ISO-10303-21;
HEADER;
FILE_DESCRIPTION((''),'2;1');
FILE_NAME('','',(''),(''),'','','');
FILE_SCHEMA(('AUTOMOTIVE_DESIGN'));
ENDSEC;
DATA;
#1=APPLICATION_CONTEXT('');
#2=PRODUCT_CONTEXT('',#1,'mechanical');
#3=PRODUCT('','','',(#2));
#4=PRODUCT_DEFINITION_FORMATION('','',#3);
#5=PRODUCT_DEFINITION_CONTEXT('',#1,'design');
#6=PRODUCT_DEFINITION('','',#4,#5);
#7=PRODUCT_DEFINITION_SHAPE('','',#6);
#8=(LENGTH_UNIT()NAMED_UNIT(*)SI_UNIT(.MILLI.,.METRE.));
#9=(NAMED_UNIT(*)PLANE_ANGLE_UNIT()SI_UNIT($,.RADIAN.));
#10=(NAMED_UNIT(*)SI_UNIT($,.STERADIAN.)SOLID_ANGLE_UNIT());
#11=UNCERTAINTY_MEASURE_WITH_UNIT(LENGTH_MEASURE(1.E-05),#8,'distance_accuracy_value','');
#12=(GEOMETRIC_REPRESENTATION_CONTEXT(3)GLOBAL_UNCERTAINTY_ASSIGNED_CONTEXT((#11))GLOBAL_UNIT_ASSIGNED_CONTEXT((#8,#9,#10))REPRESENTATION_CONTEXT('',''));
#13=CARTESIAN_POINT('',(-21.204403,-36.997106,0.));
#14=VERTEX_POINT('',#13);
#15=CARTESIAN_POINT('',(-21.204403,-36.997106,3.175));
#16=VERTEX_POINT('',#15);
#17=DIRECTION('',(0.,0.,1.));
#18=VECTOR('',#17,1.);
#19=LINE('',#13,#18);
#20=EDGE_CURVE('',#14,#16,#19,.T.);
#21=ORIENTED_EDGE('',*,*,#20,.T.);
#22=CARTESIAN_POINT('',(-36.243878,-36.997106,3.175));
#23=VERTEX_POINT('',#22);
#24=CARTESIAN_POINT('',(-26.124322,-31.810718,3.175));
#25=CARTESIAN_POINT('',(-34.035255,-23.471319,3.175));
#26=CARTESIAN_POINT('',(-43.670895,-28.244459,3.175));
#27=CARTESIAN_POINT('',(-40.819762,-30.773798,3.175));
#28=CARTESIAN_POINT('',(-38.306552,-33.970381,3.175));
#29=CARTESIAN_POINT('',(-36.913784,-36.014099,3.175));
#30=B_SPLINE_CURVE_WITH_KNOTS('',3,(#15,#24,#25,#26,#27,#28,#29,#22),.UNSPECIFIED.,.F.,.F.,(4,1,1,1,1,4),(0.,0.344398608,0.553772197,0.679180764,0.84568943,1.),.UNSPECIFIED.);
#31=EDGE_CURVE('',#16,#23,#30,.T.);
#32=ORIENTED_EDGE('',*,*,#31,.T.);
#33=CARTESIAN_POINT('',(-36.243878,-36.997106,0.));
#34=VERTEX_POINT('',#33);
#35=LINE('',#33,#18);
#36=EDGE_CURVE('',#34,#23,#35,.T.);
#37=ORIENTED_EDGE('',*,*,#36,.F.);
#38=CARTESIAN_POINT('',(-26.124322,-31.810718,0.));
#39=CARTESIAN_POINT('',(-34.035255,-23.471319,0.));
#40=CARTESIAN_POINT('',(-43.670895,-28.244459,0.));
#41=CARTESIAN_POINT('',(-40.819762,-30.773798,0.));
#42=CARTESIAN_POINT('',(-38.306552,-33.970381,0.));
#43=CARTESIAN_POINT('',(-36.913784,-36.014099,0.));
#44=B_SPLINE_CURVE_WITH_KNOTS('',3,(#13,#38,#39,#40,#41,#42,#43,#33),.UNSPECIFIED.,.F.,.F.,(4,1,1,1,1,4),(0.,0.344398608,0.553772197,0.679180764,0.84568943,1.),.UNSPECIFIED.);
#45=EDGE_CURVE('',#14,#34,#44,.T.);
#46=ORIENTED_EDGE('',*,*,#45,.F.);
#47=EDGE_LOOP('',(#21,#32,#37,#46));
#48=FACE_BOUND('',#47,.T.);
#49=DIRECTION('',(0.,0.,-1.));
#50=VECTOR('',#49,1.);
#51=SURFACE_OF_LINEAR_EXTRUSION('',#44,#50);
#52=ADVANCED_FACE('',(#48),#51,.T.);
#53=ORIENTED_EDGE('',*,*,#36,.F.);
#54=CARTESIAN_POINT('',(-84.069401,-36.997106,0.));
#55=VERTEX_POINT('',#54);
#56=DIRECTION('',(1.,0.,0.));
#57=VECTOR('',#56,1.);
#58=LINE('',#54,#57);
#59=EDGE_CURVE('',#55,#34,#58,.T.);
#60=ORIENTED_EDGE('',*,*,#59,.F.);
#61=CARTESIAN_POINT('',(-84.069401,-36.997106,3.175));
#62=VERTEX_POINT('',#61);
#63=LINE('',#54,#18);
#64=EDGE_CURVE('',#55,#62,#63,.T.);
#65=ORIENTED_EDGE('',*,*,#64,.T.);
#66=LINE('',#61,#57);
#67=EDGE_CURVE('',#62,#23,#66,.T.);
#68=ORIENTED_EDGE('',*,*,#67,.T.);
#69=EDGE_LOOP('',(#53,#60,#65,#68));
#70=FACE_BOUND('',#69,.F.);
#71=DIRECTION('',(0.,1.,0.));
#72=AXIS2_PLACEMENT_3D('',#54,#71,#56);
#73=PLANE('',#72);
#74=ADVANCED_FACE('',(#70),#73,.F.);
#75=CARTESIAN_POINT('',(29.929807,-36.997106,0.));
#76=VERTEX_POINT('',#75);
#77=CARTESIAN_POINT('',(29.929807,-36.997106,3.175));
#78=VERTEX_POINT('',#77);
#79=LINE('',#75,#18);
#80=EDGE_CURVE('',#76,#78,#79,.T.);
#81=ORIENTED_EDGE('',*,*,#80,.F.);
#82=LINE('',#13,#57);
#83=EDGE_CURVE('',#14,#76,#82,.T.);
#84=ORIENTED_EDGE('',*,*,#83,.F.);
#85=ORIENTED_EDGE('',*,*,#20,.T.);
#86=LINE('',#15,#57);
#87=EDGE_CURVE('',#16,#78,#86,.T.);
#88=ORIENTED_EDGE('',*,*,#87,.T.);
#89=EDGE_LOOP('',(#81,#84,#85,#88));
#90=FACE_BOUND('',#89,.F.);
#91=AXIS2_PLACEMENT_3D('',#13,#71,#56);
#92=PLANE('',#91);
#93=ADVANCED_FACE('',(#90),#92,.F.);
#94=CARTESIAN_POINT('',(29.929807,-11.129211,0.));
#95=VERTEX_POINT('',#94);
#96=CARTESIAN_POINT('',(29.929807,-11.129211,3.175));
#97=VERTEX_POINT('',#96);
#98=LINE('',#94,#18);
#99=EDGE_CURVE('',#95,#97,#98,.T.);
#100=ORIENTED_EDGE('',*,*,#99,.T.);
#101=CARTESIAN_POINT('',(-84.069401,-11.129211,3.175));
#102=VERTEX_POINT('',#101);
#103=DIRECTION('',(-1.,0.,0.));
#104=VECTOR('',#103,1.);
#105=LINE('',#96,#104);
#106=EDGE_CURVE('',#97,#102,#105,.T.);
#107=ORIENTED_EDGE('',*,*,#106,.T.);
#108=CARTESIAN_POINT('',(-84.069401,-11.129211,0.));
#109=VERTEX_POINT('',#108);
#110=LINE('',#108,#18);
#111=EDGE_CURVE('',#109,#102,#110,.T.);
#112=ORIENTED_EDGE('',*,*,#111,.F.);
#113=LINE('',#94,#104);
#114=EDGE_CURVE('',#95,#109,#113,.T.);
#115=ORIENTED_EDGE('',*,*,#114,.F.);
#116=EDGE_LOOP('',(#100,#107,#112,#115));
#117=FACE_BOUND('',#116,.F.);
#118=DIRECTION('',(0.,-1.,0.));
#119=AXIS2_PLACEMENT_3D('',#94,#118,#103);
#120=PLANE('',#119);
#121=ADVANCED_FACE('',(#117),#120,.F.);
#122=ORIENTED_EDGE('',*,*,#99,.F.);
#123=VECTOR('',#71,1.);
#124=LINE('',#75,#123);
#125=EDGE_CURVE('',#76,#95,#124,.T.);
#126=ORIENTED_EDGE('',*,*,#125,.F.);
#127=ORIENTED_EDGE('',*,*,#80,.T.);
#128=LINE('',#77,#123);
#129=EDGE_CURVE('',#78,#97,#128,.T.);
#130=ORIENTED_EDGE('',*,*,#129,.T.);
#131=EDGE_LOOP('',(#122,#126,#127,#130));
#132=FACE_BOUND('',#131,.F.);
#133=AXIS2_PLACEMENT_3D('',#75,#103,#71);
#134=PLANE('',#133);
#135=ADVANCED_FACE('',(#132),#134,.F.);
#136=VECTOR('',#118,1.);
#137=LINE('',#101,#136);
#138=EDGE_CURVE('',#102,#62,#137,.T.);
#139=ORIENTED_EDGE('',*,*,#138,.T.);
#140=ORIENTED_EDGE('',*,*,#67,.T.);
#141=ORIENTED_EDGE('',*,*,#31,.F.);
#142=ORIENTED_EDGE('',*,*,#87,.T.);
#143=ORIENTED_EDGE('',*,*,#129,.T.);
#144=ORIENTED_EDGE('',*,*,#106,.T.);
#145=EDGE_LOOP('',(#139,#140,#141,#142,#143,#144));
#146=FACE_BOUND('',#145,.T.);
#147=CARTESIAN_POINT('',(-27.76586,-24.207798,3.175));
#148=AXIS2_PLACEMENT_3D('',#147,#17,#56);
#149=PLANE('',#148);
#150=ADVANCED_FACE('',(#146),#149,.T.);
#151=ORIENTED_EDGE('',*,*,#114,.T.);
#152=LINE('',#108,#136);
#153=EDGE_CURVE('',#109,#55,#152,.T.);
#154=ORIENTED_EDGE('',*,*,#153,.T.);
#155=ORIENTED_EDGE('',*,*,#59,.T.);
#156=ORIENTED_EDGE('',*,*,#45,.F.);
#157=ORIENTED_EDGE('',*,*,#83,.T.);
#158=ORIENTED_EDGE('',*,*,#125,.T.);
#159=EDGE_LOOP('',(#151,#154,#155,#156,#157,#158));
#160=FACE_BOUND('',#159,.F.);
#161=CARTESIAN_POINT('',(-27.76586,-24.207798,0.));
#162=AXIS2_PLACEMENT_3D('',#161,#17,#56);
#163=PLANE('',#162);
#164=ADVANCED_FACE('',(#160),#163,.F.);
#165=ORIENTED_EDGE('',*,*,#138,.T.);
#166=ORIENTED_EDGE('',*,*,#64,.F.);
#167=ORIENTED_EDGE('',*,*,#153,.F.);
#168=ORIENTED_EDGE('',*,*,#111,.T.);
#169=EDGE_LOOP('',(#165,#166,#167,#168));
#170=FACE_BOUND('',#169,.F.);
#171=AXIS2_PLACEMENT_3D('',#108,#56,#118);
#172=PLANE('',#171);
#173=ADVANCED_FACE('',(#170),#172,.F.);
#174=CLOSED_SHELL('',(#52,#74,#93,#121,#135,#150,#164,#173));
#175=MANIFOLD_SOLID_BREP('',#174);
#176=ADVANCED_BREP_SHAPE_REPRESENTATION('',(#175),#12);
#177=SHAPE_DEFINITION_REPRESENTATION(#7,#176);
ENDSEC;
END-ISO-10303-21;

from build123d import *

# Parameters (mm, degrees)
F1_DEPTH = 3.175


with BuildPart() as f1:
    # F0 (on Top) → F1 (new body)
    with BuildSketch(Plane.XY):
        with BuildLine():
            Line((29.9298074096, -11.1292107031), (-84.0694010258, -11.1292107031))
            Line((-84.0694010258, -11.1292107031), (-84.0694010258, -36.9971059263))
            Line((-84.0694010258, -36.9971059263), (-36.243878305, -36.9971059263))
            add(Edge.make_bspline(
                [(-21.2044026703, -36.9971059263), (-26.1243218632, -31.8107182164), (-34.0352553012, -23.4713194687), (-43.6708952236, -28.2444594404), (-40.8197617979, -30.7737982204), (-38.3065521722, -33.97038067), (-36.9137844579, -36.0140994003), (-36.243878305, -36.9971059263)],
                knots=[0, 0, 0, 0, 0.3443986078, 0.5537721974, 0.6791807641, 0.8456894298, 1, 1, 1, 1], degree=3))
            Line((-21.2044026703, -36.9971059263), (29.9298074096, -36.9971059263))
            Line((29.9298074096, -36.9971059263), (29.9298074096, -11.1292107031))
        make_face()
    extrude(amount=F1_DEPTH)


solid = f1.part
